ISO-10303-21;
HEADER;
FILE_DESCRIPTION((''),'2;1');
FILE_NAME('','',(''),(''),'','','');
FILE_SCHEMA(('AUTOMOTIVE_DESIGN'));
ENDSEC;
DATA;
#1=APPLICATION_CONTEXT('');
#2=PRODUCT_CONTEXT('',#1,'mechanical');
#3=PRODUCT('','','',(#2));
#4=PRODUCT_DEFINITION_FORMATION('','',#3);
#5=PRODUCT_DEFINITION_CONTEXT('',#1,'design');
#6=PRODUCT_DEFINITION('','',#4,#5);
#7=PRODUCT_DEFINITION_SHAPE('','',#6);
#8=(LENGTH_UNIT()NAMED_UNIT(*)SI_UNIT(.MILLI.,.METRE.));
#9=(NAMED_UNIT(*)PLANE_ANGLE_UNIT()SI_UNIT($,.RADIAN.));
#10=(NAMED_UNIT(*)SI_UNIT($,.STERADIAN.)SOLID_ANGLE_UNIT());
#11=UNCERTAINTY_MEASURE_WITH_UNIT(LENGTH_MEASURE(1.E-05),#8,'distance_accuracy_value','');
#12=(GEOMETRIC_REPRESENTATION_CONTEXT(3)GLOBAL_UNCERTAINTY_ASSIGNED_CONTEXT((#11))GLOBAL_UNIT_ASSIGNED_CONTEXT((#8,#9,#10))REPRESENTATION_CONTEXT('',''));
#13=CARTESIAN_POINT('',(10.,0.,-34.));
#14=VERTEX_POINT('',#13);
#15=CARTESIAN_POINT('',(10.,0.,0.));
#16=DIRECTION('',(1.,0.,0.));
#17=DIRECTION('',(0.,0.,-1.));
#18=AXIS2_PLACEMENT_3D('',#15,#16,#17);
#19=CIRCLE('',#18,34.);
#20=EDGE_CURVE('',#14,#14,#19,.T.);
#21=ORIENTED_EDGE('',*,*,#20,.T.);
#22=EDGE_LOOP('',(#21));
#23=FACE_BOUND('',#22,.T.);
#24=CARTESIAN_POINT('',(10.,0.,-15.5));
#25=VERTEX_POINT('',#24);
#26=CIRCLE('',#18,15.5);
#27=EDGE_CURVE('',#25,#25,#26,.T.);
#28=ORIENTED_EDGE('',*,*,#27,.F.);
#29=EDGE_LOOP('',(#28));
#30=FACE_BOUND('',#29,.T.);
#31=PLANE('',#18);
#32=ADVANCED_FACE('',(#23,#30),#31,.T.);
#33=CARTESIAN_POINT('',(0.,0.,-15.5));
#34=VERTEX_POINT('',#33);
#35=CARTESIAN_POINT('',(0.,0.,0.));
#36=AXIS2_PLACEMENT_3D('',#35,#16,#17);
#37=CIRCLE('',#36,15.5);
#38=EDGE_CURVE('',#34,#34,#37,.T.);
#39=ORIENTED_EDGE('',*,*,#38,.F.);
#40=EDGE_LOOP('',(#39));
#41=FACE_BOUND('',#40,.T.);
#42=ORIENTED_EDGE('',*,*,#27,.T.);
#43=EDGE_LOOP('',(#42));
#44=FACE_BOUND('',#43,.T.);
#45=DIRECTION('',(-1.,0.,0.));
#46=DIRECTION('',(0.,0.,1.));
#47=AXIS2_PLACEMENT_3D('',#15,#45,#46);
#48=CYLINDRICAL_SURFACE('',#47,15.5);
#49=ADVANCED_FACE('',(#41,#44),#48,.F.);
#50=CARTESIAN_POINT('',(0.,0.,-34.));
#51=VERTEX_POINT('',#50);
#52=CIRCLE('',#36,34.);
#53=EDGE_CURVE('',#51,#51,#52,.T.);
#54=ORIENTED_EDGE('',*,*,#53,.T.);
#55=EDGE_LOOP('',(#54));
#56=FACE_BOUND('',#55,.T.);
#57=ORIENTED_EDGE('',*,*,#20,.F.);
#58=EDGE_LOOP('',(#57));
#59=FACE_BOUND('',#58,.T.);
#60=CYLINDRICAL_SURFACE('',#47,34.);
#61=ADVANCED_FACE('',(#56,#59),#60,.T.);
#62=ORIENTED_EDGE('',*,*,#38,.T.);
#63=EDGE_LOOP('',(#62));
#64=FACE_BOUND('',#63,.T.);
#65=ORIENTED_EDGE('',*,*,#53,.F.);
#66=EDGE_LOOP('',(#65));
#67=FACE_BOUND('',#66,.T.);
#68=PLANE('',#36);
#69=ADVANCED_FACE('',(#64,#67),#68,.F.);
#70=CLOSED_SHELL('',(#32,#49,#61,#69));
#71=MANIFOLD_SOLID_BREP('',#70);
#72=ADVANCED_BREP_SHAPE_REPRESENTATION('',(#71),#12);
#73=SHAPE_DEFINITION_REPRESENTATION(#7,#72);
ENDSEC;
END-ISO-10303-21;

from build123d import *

# Parameters (mm, degrees)
SKETCH1_R          = 34
SKETCH1_R_2        = 15.5
BASE_EXTRUDE_DEPTH = 10


with BuildPart() as part:
    # Sketch1 → Base-Extrude (new body)
    with BuildSketch(Plane(origin=(0, 0, 0), x_dir=(0, 0, -1), z_dir=(1, 0, 0))):
        Circle(SKETCH1_R)
        Circle(SKETCH1_R_2, mode=Mode.SUBTRACT)
    extrude(amount=BASE_EXTRUDE_DEPTH)


solid = part.part
